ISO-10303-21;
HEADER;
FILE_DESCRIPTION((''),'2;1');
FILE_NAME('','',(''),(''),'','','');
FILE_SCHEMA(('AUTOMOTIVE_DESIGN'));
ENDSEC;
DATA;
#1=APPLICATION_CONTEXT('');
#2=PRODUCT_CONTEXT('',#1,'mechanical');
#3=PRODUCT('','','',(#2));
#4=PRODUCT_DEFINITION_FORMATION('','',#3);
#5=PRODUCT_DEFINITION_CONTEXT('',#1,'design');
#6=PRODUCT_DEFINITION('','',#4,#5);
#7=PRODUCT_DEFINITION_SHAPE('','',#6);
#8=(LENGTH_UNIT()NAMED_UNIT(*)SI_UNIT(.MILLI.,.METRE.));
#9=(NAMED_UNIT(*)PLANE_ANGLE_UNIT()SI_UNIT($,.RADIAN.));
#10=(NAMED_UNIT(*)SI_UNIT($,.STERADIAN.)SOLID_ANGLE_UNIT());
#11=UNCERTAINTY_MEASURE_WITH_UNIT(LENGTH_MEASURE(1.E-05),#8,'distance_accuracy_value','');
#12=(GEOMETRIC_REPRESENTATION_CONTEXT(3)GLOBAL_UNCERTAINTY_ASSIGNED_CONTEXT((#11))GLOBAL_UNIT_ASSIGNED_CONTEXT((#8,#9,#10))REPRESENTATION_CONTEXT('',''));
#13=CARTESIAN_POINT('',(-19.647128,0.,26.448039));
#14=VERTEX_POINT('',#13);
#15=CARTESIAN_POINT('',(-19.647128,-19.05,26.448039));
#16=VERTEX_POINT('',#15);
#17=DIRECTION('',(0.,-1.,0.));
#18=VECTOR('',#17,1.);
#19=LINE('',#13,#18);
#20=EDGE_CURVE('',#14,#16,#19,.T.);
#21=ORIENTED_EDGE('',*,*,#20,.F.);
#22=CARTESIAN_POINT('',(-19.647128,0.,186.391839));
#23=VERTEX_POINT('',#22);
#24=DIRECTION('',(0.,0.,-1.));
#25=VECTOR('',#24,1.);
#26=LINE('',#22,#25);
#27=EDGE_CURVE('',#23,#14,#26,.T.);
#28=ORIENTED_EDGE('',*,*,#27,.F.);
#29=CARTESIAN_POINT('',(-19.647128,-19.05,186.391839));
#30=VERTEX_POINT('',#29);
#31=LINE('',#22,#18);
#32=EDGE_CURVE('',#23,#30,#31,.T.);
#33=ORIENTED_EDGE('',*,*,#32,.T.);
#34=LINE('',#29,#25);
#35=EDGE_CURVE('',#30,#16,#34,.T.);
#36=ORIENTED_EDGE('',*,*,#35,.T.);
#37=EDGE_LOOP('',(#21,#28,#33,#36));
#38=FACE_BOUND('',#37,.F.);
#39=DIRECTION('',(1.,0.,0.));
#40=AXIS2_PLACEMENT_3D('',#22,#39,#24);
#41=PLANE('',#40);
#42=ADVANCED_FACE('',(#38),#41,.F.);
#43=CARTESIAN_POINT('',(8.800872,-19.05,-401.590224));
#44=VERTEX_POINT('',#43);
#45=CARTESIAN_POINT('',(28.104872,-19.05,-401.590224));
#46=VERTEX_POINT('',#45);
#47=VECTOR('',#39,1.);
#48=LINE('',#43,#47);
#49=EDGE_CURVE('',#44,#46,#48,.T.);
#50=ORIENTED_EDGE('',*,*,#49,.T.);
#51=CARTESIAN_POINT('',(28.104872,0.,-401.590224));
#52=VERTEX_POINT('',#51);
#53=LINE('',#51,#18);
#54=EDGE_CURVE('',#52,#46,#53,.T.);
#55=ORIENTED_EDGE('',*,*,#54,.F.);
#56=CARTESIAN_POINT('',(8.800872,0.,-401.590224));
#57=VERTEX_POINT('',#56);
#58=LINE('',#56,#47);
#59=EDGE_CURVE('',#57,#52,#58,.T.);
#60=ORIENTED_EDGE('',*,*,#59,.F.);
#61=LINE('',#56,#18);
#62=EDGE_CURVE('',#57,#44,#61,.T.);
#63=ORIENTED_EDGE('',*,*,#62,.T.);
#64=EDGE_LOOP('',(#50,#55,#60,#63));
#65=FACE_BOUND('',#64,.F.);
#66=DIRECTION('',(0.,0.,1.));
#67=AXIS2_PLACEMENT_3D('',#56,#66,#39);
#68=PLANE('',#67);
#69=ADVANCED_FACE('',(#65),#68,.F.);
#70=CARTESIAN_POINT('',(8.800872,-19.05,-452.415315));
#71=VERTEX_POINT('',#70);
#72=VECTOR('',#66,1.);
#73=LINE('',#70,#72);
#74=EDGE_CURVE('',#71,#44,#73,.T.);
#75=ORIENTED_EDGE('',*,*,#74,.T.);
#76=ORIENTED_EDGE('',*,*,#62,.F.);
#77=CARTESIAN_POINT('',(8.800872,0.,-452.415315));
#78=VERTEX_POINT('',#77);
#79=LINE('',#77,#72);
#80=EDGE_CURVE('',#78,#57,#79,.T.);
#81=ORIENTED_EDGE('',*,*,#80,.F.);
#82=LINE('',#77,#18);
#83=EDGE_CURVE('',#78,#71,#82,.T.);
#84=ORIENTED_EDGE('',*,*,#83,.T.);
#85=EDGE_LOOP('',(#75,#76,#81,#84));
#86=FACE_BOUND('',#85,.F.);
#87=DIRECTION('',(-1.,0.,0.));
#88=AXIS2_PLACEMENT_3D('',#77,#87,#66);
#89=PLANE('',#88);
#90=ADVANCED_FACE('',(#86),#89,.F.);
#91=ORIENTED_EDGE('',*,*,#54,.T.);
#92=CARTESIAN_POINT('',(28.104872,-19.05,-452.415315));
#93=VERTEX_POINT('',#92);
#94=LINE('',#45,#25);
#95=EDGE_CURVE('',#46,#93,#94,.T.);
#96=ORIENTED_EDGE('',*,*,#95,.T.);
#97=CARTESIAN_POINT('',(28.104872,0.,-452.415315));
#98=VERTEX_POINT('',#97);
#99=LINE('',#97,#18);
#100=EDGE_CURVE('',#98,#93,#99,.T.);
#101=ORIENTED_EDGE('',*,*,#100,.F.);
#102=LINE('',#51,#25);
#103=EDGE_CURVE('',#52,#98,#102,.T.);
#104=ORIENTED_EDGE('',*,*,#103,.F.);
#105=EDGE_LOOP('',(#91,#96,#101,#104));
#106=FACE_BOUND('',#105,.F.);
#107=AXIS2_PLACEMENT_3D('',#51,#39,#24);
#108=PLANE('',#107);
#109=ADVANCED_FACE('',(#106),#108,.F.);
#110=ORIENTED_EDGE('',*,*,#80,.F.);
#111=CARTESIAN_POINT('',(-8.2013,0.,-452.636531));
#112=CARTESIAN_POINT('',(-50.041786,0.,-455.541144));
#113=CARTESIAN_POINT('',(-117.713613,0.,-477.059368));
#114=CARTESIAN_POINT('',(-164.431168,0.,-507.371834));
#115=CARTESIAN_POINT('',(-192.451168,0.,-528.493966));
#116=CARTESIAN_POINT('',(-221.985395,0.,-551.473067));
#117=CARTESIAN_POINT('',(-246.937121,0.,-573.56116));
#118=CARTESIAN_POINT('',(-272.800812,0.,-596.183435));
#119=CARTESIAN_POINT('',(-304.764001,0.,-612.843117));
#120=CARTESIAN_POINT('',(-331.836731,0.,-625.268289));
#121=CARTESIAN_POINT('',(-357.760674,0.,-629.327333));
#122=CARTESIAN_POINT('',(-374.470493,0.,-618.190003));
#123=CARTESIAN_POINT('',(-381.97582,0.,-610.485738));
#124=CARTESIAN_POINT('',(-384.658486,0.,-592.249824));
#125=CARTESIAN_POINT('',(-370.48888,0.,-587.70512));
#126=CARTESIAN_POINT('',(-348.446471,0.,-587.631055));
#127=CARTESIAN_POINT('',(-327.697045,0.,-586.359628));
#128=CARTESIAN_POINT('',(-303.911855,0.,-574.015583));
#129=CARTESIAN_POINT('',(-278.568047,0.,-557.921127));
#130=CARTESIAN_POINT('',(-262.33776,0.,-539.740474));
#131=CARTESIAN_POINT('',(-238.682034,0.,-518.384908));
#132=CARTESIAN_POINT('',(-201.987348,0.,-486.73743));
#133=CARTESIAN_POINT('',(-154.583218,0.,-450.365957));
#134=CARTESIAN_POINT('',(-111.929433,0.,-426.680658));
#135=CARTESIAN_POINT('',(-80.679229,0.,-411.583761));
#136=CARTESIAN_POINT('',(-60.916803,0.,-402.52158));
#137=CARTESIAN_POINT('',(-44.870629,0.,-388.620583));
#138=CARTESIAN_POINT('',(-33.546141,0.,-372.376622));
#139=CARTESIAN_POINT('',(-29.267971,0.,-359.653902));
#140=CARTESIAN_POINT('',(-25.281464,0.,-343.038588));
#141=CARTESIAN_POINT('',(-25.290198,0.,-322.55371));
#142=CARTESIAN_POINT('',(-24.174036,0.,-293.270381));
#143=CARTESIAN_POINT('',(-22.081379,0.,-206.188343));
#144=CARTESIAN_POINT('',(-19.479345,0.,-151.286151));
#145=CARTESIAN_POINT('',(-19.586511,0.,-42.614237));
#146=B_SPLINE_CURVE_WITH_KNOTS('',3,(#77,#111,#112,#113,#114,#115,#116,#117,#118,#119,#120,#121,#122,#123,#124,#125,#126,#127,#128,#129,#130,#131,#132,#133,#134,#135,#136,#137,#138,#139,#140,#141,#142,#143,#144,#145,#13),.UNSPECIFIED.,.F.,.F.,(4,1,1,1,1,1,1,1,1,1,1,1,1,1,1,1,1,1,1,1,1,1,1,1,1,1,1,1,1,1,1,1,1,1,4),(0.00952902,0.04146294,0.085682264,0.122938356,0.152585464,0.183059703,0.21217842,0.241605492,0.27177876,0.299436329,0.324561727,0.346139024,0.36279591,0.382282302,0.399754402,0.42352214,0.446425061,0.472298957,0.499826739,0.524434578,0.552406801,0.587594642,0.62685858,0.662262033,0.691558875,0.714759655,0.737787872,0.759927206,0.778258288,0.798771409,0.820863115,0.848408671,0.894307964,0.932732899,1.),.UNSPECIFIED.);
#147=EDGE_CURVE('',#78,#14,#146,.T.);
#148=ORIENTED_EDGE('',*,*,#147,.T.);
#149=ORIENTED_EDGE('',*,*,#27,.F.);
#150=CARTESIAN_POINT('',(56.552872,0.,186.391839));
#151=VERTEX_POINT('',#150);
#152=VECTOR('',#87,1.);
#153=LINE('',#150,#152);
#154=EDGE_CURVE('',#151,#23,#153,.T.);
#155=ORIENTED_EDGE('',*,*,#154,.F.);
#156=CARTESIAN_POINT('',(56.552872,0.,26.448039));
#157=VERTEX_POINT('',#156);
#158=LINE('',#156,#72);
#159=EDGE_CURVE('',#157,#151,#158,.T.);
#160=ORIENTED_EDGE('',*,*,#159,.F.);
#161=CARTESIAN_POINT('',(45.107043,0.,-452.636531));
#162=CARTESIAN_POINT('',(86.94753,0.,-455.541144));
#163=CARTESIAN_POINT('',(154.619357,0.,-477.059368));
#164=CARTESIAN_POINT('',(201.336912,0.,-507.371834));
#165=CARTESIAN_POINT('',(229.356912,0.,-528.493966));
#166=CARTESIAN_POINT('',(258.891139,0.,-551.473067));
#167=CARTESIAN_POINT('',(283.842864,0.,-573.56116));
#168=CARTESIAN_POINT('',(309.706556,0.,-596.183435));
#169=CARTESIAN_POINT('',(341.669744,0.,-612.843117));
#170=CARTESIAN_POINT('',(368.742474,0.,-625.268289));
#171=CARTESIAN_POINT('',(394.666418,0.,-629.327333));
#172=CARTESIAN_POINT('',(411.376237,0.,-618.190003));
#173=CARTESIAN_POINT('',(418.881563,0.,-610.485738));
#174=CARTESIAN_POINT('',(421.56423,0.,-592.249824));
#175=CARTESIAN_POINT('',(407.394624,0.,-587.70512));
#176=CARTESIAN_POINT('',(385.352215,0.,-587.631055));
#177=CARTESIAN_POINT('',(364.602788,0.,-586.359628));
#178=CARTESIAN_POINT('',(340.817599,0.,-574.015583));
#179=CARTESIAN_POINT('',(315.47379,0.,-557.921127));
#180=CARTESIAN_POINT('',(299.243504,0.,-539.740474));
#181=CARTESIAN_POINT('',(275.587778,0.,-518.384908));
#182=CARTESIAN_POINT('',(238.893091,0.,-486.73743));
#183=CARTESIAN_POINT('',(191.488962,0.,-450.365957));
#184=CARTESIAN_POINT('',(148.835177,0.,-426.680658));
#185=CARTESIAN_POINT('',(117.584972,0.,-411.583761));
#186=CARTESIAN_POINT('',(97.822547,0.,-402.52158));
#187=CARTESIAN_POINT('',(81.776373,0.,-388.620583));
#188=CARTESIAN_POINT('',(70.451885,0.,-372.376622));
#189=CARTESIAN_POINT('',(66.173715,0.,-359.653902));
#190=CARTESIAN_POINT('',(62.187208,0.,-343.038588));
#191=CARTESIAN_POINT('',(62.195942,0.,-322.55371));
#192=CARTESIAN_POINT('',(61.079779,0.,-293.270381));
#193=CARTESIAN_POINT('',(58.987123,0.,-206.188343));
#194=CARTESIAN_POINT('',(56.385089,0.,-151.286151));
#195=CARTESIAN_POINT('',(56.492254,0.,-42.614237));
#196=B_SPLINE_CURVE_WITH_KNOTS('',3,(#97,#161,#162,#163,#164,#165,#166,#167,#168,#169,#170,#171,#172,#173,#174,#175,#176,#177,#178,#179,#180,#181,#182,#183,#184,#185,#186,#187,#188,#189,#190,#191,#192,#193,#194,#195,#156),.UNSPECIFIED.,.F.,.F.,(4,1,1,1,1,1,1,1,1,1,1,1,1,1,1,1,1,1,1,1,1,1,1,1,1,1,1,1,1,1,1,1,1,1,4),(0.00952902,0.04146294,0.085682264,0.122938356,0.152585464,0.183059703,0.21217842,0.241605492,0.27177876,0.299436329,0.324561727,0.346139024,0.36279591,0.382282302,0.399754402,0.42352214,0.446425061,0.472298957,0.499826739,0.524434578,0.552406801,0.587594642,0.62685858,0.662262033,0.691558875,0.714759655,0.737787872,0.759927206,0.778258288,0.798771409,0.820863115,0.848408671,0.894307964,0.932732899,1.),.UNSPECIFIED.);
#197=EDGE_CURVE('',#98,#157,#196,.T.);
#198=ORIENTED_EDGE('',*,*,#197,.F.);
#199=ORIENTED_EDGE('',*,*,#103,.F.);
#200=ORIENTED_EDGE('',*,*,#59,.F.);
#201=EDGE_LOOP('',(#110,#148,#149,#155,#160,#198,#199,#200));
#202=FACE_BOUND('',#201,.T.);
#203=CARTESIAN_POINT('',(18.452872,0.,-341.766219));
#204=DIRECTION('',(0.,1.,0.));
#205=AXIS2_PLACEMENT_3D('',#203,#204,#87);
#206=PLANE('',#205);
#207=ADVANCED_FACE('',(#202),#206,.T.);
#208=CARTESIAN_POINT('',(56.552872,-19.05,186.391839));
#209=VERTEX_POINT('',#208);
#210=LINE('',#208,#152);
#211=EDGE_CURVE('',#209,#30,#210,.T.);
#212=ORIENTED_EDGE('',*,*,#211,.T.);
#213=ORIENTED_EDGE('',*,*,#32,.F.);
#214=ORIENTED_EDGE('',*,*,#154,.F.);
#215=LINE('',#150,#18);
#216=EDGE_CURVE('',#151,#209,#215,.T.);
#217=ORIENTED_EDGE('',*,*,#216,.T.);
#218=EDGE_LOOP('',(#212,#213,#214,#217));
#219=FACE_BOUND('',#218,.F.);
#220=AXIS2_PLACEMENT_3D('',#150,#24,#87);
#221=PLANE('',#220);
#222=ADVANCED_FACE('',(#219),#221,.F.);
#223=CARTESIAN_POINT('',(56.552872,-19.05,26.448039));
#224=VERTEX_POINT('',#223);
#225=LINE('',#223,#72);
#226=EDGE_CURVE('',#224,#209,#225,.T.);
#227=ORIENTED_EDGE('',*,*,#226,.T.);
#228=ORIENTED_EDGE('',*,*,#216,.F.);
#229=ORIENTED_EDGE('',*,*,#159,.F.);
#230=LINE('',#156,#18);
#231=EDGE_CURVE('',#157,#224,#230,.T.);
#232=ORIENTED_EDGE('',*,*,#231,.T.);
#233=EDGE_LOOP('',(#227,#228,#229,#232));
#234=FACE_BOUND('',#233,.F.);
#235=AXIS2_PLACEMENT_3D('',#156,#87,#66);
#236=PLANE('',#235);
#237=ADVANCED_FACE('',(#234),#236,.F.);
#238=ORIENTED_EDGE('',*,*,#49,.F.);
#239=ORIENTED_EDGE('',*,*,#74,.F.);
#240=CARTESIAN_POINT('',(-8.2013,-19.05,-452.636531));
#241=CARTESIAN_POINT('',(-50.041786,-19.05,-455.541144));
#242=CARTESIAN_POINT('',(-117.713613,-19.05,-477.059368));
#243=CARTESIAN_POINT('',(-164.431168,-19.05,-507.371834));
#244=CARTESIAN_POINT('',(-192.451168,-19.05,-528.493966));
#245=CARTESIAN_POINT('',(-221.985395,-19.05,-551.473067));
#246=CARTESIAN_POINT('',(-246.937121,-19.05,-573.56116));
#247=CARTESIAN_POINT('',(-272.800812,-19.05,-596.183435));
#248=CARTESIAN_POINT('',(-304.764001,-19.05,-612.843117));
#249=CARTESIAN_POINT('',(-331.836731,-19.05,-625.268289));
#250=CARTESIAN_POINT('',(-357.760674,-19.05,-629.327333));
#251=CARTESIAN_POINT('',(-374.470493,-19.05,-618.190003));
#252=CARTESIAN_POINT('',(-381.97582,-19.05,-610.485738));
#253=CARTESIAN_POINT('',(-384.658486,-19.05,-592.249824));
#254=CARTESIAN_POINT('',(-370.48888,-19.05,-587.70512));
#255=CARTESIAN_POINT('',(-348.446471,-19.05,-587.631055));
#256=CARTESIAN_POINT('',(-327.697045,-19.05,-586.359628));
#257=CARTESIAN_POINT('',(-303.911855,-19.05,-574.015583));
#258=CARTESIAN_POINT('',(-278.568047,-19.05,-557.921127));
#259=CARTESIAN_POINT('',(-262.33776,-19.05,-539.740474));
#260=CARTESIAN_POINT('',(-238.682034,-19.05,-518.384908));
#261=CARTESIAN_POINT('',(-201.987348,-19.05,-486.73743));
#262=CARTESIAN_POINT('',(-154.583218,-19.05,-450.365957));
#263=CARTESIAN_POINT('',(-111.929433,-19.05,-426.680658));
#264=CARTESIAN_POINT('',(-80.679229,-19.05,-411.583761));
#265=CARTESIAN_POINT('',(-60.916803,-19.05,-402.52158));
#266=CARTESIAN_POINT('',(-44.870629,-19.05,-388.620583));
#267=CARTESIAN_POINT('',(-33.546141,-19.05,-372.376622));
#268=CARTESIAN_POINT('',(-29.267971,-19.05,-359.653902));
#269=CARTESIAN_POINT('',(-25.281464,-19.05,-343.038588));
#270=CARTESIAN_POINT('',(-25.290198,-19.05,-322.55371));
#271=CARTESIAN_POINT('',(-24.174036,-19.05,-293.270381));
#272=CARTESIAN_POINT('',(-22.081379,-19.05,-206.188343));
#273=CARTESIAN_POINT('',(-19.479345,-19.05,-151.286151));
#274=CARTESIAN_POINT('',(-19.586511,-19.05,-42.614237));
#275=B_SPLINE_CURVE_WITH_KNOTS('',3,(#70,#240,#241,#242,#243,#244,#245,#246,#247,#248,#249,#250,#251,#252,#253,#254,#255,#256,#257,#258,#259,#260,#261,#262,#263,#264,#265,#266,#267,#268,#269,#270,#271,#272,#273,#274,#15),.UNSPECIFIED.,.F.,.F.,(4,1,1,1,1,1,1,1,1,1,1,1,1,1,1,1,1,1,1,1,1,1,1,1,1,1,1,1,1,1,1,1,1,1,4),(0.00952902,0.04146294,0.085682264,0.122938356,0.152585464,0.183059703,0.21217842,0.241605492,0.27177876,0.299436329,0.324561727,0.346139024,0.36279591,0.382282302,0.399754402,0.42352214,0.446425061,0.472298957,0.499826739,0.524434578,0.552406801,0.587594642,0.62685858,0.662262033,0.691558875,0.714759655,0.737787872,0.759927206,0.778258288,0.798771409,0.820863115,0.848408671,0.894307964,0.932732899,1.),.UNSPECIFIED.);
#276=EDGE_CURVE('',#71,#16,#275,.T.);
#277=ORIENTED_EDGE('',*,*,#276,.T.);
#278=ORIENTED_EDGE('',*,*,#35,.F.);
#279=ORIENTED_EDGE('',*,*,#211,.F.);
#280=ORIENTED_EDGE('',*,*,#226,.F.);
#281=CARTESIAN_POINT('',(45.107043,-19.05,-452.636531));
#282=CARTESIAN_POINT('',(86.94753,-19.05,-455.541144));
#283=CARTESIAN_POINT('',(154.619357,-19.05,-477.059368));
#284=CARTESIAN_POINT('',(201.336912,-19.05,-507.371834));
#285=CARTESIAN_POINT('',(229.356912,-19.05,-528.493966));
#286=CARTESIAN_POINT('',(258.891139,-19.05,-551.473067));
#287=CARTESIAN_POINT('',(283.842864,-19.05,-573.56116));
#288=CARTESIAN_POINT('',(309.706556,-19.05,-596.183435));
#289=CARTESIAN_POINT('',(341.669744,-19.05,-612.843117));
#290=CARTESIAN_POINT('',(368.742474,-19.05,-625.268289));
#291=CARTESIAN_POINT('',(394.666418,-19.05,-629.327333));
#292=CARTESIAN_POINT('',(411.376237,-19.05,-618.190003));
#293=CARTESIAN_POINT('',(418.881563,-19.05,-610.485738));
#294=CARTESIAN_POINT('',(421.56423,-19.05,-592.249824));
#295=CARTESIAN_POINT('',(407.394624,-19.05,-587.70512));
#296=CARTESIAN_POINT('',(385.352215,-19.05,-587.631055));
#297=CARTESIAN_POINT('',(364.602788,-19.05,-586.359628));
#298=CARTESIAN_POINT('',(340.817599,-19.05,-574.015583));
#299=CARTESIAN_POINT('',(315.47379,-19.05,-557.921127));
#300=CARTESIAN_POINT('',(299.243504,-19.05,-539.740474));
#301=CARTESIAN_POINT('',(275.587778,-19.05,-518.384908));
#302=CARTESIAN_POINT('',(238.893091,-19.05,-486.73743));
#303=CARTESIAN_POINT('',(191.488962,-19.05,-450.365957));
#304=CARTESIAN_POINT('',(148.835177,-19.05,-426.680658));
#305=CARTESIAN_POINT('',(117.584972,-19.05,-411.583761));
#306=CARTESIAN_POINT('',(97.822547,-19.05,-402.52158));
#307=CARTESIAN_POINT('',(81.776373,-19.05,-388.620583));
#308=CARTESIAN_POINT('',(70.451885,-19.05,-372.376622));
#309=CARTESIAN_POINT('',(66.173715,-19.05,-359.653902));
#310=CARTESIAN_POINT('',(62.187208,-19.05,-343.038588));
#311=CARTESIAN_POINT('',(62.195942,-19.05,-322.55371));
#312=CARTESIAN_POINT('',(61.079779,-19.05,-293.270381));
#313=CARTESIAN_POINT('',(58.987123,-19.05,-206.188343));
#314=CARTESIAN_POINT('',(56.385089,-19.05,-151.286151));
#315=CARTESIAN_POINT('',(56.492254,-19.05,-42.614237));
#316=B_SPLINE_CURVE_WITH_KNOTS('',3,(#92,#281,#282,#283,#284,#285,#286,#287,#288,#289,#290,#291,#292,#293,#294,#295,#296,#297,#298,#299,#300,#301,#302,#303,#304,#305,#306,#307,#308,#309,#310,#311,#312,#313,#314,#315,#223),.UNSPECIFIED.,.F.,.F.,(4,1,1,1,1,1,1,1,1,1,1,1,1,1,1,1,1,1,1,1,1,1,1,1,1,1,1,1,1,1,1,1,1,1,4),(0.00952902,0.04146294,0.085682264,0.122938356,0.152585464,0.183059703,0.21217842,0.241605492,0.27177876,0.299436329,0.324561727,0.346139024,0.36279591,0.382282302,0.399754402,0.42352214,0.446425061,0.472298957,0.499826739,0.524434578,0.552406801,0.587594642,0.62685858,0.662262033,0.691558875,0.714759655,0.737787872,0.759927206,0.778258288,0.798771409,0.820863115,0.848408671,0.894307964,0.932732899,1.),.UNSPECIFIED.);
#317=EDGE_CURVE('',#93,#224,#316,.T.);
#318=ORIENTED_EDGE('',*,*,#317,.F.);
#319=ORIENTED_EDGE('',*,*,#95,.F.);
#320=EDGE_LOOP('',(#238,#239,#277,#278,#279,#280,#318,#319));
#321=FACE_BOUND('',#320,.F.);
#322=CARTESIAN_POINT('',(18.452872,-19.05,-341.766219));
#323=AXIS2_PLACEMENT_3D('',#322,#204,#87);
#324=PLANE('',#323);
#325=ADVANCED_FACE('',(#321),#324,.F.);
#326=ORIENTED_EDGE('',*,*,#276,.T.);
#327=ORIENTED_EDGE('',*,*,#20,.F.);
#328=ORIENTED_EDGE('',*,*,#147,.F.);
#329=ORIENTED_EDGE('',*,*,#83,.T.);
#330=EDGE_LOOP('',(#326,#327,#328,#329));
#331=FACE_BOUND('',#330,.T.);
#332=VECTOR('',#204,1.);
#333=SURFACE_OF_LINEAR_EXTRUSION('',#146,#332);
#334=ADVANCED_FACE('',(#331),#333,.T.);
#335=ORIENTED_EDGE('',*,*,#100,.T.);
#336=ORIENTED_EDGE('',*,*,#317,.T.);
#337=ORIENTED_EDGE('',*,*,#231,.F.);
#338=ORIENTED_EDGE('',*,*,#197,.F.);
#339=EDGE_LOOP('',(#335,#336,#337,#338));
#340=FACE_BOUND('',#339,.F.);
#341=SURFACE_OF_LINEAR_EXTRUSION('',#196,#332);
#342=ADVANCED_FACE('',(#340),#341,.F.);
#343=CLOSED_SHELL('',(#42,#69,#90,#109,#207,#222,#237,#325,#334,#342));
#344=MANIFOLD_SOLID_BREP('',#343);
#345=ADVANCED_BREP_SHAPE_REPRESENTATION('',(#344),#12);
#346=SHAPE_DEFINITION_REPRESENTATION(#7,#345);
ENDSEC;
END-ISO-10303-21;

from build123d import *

# Parameters (mm, degrees)
F1_DEPTH = 19.05


with BuildPart() as f1:
    # F0 (on Front) → F1 (new body)
    with BuildSketch(Plane.XZ):
        with BuildLine():
            add(Edge.make_bspline(
                [(8.8008718463, -452.4153149585), (-8.2012996591, -452.6365313023), (-50.0417860207, -455.5411443555), (-117.7136130779, -477.0593679303), (-164.4311680936, -507.3718342631), (-192.4511683968, -528.4939664209), (-221.9853952176, -551.473066546), (-246.9371207321, -573.5611602866), (-272.8008122824, -596.1834349252), (-304.7640005636, -612.8431171154), (-331.8367307147, -625.268289288), (-357.7606738567, -629.327332719), (-374.4704933866, -618.1900029456), (-381.975819645, -610.4857375259), (-384.6584860388, -592.2498243039), (-370.4888804516, -587.705120135), (-348.4464710553, -587.6310547293), (-327.6970447528, -586.3596282432), (-303.9118553812, -574.0155825654), (-278.5680465787, -557.9211272046), (-262.3377603136, -539.7404735634), (-238.682034191, -518.38490845), (-201.9873477059, -486.7374295751), (-154.5832179756, -450.3659570234), (-111.9294334368, -426.6806577108), (-80.679228637, -411.5837611114), (-60.916803476, -402.5215804575), (-44.8706294427, -388.6205831488), (-33.5461408347, -372.3766215314), (-29.267971372, -359.6539015001), (-25.2814641437, -343.0385879509), (-25.2901983458, -322.553710136), (-24.1740357195, -293.2703814417), (-22.0813789836, -206.1883430198), (-19.4793451871, -151.2861507666), (-19.5865106047, -42.6142365905), (-19.647128144, 26.4480390307)],
                knots=[0.0095290203, 0.0095290203, 0.0095290203, 0.0095290203, 0.0414629403, 0.0856822636, 0.1229383563, 0.1525854642, 0.1830597034, 0.21217842, 0.2416054923, 0.2717787603, 0.2994363292, 0.3245617271, 0.3461390238, 0.3627959097, 0.3822823017, 0.3997544018, 0.4235221405, 0.4464250605, 0.4722989568, 0.4998267393, 0.5244345781, 0.5524068012, 0.5875946424, 0.6268585796, 0.6622620328, 0.6915588748, 0.714759655, 0.7377878721, 0.7599272061, 0.7782582881, 0.7987714094, 0.8208631145, 0.8484086714, 0.8943079638, 0.9327328987, 1, 1, 1, 1], degree=3))
            Line((8.8008718463, -452.4153149585), (8.8008718463, -452.3902237414))
            Line((8.8008718463, -452.3902237414), (8.8008718463, -401.5902237414))
            Line((8.8008718463, -401.5902237414), (28.1048718366, -401.5902237414))
            Line((28.1048718366, -401.5902237414), (28.1048718366, -452.3902237414))
            Line((28.1048718366, -452.3902237414), (28.1048718366, -452.4153149584))
            add(Edge.make_bspline(
                [(28.1048718366, -452.4153149584), (45.107043345, -452.6365313019), (86.9475297096, -455.5411443543), (154.6193567705, -477.0593679303), (201.3369117862, -507.3718342631), (229.3569120894, -528.4939664209), (258.8911389102, -551.473066546), (283.8428644247, -573.5611602866), (309.706555975, -596.1834349252), (341.6697442562, -612.8431171154), (368.7424744073, -625.268289288), (394.6664175493, -629.327332719), (411.3762370792, -618.1900029456), (418.8815633376, -610.4857375259), (421.5642297314, -592.2498243039), (407.3946241442, -587.705120135), (385.3522147479, -587.6310547293), (364.6027884454, -586.3596282432), (340.8175990738, -574.0155825654), (315.4737902714, -557.9211272046), (299.2435040062, -539.7404735634), (275.5877778836, -518.38490845), (238.8930913985, -486.7374295751), (191.4889616682, -450.3659570234), (148.8351771295, -426.6806577108), (117.5849723296, -411.5837611114), (97.8225471686, -402.5215804575), (81.7763731353, -388.6205831488), (70.4518845273, -372.3766215314), (66.1737150646, -359.6539015001), (62.1872078363, -343.0385879509), (62.1959420384, -322.553710136), (61.0797794121, -293.2703814417), (58.9871226762, -206.1883430198), (56.3850888798, -151.2861507666), (56.4922542973, -42.6142365905), (56.5528718366, 26.4480390307)],
                knots=[0.0095290203, 0.0095290203, 0.0095290203, 0.0095290203, 0.0414629403, 0.0856822636, 0.1229383563, 0.1525854642, 0.1830597034, 0.21217842, 0.2416054923, 0.2717787603, 0.2994363292, 0.3245617271, 0.3461390238, 0.3627959097, 0.3822823017, 0.3997544018, 0.4235221405, 0.4464250605, 0.4722989568, 0.4998267393, 0.5244345781, 0.5524068012, 0.5875946424, 0.6268585796, 0.6622620328, 0.6915588748, 0.714759655, 0.7377878721, 0.7599272061, 0.7782582881, 0.7987714094, 0.8208631145, 0.8484086714, 0.8943079638, 0.9327328987, 1, 1, 1, 1], degree=3))
            Line((56.5528718366, 26.4480390307), (56.5528718366, 186.3918390307))
            Line((56.5528718366, 186.3918390307), (-19.647128144, 186.3918390307))
            Line((-19.647128144, 186.3918390307), (-19.647128144, 26.4480390307))
        make_face()
    extrude(amount=F1_DEPTH)


solid = f1.part
